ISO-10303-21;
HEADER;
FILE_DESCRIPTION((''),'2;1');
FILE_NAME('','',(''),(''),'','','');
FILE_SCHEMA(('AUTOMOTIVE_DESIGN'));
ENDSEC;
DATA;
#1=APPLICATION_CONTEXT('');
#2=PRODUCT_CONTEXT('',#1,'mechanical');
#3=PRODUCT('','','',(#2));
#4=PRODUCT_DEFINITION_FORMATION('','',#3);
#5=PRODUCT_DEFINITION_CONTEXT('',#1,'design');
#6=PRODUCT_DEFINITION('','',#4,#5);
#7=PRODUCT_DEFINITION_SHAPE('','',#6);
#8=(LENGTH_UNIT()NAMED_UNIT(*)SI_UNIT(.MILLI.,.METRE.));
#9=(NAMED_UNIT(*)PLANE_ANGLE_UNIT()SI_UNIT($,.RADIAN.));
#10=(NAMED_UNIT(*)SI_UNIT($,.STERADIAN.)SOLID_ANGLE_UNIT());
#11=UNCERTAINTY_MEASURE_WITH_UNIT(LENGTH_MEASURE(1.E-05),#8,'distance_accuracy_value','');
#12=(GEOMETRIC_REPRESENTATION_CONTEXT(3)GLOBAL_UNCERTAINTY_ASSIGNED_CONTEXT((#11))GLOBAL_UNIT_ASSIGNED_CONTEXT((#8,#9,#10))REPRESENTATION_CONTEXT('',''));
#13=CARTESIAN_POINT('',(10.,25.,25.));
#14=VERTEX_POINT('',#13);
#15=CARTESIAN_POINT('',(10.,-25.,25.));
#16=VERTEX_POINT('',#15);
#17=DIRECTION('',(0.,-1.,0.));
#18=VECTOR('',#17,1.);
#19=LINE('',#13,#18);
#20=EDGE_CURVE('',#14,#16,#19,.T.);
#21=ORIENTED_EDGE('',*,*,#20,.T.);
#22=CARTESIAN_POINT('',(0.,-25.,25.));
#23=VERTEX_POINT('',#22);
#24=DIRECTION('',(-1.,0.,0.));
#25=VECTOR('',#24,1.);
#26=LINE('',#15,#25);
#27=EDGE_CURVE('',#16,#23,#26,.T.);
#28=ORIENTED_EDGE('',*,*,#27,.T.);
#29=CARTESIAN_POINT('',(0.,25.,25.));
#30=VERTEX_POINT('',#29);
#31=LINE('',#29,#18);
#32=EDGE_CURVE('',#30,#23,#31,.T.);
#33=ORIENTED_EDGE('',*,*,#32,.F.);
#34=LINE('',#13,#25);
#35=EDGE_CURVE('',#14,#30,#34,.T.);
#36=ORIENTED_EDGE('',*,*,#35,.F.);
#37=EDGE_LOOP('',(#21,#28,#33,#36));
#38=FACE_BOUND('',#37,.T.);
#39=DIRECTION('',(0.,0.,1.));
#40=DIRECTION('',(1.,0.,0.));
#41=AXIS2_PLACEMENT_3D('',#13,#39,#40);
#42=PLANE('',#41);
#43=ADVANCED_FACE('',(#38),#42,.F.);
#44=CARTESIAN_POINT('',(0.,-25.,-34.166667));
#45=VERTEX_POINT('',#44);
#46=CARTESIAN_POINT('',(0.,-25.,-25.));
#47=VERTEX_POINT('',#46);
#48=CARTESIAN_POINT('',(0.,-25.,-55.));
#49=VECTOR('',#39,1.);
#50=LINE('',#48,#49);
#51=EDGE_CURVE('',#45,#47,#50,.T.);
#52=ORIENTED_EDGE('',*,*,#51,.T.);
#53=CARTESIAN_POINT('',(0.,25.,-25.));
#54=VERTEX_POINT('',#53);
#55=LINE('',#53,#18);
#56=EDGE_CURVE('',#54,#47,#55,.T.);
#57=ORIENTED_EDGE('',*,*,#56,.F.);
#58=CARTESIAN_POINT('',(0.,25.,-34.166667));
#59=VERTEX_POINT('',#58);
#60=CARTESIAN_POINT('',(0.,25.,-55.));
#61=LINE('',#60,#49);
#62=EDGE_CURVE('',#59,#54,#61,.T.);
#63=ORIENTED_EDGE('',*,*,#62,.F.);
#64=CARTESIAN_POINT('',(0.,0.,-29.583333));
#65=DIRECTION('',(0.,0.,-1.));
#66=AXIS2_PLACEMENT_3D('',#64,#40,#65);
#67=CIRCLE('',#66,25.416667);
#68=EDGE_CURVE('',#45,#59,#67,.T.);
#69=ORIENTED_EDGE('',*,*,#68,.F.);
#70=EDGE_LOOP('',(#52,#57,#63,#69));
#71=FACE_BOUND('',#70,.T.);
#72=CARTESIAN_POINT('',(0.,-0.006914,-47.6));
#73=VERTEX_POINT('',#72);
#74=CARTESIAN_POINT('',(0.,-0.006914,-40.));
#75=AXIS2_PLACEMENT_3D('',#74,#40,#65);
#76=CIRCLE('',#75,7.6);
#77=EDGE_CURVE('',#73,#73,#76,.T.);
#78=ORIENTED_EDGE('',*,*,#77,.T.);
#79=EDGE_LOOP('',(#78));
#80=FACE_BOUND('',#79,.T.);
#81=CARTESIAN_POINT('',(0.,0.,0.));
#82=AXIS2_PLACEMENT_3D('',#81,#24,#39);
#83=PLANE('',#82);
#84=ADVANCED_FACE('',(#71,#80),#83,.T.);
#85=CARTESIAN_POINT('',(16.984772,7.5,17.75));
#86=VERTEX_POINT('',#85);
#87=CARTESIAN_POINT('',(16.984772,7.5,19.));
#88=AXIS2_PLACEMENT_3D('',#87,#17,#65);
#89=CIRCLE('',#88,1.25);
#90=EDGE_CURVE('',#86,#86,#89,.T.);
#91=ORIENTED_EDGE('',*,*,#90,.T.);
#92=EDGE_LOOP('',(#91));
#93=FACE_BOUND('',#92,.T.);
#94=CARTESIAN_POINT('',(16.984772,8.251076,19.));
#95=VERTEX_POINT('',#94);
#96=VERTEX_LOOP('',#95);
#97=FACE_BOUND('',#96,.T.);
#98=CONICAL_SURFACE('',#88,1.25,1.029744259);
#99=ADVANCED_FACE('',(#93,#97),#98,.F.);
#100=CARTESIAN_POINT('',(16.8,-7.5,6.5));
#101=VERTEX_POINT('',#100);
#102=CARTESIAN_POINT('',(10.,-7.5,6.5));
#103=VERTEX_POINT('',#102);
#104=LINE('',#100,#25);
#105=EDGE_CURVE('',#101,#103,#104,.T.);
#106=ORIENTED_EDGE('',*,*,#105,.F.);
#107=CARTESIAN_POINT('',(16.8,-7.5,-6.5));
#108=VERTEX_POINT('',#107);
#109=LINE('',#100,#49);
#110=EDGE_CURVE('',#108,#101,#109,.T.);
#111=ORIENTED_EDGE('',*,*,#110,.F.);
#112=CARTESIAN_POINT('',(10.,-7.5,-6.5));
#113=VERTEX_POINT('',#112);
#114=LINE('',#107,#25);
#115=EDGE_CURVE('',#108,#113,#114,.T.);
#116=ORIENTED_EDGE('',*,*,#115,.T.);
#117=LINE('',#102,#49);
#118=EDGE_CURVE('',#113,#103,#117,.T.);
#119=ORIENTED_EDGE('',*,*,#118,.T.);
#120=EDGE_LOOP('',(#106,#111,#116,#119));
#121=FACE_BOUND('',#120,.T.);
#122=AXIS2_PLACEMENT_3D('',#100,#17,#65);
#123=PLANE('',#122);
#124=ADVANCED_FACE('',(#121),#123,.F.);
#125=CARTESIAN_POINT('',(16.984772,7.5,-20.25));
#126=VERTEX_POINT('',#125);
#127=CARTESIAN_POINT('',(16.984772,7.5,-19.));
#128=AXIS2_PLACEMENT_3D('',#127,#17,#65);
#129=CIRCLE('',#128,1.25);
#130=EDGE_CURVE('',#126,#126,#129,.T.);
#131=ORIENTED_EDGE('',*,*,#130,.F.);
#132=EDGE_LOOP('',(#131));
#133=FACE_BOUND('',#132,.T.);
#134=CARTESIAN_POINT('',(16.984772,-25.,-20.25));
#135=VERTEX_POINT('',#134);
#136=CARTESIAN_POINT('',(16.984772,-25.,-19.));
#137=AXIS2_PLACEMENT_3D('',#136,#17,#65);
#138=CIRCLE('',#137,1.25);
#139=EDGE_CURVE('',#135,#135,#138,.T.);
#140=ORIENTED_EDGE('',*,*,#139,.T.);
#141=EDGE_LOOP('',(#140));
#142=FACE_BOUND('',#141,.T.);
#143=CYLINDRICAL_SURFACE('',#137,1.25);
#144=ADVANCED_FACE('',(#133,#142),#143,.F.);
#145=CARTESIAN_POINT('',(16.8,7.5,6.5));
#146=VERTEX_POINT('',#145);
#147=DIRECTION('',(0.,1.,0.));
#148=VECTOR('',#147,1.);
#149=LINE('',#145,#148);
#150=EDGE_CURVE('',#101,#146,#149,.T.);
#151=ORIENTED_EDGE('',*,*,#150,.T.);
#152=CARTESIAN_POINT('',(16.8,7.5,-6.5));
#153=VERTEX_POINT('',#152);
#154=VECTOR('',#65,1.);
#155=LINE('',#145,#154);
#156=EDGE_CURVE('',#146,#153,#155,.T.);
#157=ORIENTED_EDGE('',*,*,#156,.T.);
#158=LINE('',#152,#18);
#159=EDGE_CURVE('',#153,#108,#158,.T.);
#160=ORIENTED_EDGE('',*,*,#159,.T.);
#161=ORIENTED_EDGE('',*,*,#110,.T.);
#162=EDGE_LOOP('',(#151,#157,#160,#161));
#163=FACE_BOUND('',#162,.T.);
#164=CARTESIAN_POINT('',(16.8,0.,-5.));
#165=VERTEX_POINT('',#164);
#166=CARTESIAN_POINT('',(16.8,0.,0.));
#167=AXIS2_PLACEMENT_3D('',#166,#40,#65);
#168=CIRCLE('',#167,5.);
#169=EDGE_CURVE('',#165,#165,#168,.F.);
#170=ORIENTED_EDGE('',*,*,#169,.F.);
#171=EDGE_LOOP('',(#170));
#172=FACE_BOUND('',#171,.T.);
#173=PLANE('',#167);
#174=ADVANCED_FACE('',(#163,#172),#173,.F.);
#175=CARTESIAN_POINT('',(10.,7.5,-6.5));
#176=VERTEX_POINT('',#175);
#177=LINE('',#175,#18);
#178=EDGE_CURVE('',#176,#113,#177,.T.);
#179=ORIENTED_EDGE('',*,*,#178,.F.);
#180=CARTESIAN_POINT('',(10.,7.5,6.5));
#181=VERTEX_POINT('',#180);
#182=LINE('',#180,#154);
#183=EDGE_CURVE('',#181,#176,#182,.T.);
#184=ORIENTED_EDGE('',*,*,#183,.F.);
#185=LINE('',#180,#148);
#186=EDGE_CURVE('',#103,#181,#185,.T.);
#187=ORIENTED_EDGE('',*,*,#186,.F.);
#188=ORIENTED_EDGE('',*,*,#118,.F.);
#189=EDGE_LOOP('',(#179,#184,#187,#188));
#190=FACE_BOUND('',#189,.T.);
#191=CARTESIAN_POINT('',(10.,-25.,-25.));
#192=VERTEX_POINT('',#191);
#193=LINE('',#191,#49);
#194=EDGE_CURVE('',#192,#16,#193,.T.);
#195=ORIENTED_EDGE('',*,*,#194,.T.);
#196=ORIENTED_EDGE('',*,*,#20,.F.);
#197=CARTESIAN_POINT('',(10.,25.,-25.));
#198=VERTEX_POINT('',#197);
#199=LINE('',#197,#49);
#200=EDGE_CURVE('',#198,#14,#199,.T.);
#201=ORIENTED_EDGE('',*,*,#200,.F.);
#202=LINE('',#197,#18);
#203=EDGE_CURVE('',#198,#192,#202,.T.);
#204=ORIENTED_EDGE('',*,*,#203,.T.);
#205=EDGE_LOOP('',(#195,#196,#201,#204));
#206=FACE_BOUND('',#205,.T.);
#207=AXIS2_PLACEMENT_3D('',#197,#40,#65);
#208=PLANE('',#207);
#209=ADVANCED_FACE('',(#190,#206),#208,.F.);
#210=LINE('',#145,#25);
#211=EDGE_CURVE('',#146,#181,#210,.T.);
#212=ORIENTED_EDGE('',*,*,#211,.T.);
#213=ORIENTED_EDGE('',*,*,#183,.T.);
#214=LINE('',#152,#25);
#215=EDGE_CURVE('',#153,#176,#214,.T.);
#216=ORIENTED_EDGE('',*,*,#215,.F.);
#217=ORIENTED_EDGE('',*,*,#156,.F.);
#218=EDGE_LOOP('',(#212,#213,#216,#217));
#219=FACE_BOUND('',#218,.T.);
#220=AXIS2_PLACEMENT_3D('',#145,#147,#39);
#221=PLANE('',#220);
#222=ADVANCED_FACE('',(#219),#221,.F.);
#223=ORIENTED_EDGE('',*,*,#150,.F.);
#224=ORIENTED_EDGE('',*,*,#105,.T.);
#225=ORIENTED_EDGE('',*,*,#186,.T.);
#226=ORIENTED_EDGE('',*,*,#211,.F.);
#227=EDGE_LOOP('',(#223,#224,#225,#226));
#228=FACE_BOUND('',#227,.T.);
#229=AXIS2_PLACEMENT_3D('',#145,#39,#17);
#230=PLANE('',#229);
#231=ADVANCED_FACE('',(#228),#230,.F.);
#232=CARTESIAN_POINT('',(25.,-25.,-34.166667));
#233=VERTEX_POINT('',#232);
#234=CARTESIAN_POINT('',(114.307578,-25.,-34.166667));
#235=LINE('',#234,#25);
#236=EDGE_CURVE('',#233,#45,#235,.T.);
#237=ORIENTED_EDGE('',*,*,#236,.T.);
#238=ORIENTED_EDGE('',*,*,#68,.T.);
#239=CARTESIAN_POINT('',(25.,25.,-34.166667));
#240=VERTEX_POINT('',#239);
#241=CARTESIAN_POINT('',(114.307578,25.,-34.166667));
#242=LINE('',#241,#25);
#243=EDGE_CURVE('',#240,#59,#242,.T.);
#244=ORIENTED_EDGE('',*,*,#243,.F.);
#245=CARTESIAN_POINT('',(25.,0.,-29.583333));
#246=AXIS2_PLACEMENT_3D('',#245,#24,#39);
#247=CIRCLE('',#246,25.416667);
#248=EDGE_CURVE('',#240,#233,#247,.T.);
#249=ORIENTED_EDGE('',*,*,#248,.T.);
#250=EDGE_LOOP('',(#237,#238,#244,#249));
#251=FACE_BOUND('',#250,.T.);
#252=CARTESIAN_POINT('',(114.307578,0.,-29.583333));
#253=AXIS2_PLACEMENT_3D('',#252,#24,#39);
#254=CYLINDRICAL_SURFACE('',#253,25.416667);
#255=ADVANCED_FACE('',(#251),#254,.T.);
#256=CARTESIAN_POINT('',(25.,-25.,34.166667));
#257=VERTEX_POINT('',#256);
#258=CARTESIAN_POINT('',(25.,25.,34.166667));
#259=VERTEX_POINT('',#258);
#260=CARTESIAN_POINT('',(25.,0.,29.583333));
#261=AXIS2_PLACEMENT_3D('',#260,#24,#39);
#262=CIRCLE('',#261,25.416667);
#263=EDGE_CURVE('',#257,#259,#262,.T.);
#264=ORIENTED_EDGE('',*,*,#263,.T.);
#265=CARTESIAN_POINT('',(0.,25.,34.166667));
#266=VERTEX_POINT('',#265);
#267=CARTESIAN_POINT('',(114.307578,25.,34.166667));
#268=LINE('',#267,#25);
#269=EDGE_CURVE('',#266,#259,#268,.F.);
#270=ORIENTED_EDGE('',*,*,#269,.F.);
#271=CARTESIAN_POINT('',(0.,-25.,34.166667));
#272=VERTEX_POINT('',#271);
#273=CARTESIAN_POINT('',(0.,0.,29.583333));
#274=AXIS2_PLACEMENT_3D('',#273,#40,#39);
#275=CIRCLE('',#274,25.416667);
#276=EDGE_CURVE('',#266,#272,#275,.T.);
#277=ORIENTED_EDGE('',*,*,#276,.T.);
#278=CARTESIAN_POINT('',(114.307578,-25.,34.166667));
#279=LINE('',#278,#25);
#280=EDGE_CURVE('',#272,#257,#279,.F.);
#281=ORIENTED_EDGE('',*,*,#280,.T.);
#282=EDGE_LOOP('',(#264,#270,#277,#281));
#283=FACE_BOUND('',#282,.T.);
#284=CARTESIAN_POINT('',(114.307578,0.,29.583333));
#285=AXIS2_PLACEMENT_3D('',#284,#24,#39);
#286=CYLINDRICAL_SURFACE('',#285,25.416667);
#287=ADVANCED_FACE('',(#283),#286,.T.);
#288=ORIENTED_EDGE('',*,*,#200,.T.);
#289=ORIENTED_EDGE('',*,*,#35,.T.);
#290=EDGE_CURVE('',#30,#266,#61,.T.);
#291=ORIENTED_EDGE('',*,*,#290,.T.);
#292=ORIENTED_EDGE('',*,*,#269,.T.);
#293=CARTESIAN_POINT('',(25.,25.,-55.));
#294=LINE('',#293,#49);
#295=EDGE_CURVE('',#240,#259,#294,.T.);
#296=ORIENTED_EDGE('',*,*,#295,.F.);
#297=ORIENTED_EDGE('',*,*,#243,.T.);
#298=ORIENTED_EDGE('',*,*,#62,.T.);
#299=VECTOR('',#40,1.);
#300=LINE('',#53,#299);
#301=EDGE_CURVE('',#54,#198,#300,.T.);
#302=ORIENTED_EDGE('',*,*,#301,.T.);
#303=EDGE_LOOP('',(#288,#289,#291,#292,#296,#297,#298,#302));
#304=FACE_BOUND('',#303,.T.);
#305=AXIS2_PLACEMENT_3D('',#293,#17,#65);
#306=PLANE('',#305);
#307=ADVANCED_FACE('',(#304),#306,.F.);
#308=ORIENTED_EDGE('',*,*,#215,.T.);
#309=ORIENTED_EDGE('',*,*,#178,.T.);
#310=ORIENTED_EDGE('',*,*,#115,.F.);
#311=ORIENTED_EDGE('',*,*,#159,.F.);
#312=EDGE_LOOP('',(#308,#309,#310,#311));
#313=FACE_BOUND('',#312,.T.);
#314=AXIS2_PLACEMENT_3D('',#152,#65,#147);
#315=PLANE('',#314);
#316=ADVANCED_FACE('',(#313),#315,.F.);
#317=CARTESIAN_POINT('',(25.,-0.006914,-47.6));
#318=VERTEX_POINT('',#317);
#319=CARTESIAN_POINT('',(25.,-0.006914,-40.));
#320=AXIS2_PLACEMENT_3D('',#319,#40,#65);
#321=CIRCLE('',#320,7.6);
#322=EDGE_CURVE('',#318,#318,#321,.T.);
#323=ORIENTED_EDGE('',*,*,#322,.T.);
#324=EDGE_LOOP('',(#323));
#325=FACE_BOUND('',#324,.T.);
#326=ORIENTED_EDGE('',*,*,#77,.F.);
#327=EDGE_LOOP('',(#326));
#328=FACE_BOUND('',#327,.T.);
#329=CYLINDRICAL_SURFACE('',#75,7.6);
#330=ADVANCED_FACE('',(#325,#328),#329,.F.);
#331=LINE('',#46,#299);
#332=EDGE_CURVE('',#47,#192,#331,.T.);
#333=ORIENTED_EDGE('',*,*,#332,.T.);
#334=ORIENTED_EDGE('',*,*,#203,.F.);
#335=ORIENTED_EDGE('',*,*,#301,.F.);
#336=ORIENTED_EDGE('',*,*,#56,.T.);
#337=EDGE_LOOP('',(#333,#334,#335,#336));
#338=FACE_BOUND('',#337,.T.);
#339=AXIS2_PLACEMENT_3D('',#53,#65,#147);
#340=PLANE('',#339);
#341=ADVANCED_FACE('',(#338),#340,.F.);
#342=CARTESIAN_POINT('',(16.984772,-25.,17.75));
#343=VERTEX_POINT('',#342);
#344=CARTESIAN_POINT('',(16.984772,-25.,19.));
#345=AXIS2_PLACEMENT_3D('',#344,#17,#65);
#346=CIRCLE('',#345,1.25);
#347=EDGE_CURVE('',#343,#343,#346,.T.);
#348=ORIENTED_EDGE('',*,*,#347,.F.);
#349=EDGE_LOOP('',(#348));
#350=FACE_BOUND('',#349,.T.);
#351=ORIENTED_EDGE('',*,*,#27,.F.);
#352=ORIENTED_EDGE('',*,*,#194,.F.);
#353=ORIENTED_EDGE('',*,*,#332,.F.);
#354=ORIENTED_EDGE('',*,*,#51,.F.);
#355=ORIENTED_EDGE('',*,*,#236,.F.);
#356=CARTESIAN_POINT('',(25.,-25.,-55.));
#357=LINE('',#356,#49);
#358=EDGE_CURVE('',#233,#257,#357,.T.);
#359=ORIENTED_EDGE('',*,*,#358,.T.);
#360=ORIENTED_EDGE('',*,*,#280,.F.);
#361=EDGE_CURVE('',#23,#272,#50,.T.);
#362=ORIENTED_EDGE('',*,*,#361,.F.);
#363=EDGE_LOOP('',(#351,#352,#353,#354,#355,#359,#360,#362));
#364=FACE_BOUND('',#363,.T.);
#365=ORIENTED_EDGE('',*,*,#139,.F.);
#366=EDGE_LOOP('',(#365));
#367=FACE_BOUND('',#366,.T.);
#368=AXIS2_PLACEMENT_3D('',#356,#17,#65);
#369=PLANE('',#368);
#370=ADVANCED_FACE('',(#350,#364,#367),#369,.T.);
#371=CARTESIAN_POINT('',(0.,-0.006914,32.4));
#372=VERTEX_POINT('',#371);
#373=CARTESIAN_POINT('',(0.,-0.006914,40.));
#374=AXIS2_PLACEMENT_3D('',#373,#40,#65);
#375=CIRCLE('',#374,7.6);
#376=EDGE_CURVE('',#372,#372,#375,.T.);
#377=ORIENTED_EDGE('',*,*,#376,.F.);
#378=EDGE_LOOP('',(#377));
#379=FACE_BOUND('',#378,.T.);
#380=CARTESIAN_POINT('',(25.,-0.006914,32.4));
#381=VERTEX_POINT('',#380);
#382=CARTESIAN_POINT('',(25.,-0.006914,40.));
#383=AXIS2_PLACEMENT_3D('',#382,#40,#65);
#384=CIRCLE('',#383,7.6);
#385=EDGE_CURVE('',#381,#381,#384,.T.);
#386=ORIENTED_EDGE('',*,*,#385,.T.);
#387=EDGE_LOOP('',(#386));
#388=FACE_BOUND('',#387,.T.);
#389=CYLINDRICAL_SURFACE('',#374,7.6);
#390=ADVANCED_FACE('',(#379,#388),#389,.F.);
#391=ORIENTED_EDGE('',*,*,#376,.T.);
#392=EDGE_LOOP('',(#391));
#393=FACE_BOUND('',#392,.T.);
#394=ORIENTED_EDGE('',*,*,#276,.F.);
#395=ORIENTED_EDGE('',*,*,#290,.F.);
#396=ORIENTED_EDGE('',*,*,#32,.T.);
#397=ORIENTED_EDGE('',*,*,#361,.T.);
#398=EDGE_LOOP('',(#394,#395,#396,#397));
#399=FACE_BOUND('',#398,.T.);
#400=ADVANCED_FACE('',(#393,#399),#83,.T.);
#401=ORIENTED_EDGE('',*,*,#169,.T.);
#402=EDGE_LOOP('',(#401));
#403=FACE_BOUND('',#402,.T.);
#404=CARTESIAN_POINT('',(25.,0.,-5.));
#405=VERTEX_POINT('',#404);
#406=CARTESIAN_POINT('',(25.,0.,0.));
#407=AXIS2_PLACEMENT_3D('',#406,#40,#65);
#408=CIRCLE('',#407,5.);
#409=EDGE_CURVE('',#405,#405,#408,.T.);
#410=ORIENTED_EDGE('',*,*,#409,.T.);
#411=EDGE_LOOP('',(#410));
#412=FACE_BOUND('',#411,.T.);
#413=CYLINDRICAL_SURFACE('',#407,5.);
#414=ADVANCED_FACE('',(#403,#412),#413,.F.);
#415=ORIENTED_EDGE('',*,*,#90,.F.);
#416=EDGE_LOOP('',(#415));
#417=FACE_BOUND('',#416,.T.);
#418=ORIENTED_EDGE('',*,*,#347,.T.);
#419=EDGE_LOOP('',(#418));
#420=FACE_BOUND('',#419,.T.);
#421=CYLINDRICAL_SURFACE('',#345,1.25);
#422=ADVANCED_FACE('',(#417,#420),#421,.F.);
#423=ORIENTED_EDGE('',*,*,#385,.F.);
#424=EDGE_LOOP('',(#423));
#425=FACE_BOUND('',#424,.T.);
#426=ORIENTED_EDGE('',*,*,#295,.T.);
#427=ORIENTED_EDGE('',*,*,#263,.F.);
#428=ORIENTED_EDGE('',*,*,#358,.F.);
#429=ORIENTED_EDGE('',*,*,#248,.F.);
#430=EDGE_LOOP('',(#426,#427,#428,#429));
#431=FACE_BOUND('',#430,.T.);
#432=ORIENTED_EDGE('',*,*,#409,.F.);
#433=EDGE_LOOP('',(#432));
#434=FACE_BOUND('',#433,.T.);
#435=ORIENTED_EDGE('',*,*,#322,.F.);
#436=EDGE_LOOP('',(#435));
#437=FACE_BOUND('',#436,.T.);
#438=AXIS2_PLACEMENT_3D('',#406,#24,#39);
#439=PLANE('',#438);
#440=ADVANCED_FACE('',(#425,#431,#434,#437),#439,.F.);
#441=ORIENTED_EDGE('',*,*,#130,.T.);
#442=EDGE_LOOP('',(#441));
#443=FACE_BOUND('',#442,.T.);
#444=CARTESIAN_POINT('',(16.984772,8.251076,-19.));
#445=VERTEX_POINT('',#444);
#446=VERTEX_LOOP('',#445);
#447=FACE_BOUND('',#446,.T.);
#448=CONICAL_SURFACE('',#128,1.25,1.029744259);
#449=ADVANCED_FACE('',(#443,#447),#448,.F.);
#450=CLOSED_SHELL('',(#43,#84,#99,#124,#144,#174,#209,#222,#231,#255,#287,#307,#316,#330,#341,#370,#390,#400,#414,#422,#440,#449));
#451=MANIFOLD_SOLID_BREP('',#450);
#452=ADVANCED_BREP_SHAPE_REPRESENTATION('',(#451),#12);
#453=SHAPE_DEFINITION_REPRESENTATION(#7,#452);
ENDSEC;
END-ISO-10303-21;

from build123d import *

# Parameters (mm, degrees)
SKETCH1_W                       = 110
SKETCH1_H                       = 50
BOSS_EXTRUDE1_DEPTH             = 25
SKETCH2_R                       = 7.6
CUT_EXTRUDE1_DEPTH              = 26
M8_CLEARANCE_HOLE1_D            = 10
M8_CLEARANCE_HOLE1_DEPTH        = 25
M8_CLEARANCE_HOLE1_TIP          = 3.004303095
SKETCH5_W                       = 10
SKETCH5_H                       = 50
CUT_EXTRUDE2_DEPTH              = 51
SKETCH6_W                       = 13
SKETCH6_H                       = 15
CUT_EXTRUDE3_DEPTH              = 6.8
CUT_EXTRUDE4_DEPTH              = 25
TAP_DRILL_FOR_M3X0_5_TAP1_D     = 2.5
TAP_DRILL_FOR_M3X0_5_TAP1_DEPTH = 32.5
TAP_DRILL_FOR_M3X0_5_TAP1_TIP   = 0.751075774


with BuildPart() as part:
    # Sketch1 → Boss-Extrude1 (new body)
    with BuildSketch(Plane(origin=(0, 0, 0), x_dir=(0, 0, -1), z_dir=(1, 0, 0))):
        Rectangle(SKETCH1_W, SKETCH1_H)
    extrude(amount=BOSS_EXTRUDE1_DEPTH)

    # Sketch2 → Cut-Extrude1 (cut, through all)
    with BuildSketch(Plane(origin=(25, 0, 0), x_dir=(0, 0, -1), z_dir=(1, 0, 0))):
        with Locations((-40, -0.006913882)):
            Circle(SKETCH2_R)
        with Locations((40, -0.006913882)):
            Circle(SKETCH2_R)
    extrude(amount=-CUT_EXTRUDE1_DEPTH, mode=Mode.SUBTRACT)

    # M8 Clearance Hole1
    with Locations(Plane(origin=(25, 0, 0), x_dir=(0, 0, -1), z_dir=(1, 0, 0))):
        with Locations((0, 0)):
            Hole(M8_CLEARANCE_HOLE1_D / 2, depth=M8_CLEARANCE_HOLE1_DEPTH)
            with Locations((0, 0, -(M8_CLEARANCE_HOLE1_DEPTH + M8_CLEARANCE_HOLE1_TIP / 2))):  # 118° drill point
                Cone(0, M8_CLEARANCE_HOLE1_D / 2, M8_CLEARANCE_HOLE1_TIP, mode=Mode.SUBTRACT)

    # Sketch5 → Cut-Extrude2 (cut, through all)
    with BuildSketch(Plane.XZ.offset(25)):
        with Locations((5, 0)):
            Rectangle(SKETCH5_W, SKETCH5_H)
    extrude(amount=-CUT_EXTRUDE2_DEPTH, mode=Mode.SUBTRACT)

    # Sketch6 → Cut-Extrude3 (cut)
    with BuildSketch(Plane.ZY.offset(-10)):
        Rectangle(SKETCH6_W, SKETCH6_H)
    extrude(amount=-CUT_EXTRUDE3_DEPTH, mode=Mode.SUBTRACT)

    # Sketch7 → Cut-Extrude4 (cut)
    with BuildSketch(Plane.ZY):
        with BuildLine():
            Line((-25, -25), (-25.995843668, -36.367385103))
            Line((-25.995843668, -36.367385103), (-60.780158428, -28.692554088))
            Line((-60.780158428, -28.692554088), (-59.294707264, 34.562907985))
            Line((-59.294707264, 34.562907985), (-23.260411868, 33.716701439))
            Line((-23.260411868, 33.716701439), (-25, 25))
            ThreePointArc((-25, 25), (-55, 0), (-25, -25))
        make_face()
        with BuildLine():
            Line((25, -25), (27.231233017, -36.367385103))
            Line((27.231233017, -36.367385103), (50.619615813, -36.367385103))
            Line((50.619615813, -36.367385103), (65.908125779, -26.522621757))
            Line((65.908125779, -26.522621757), (65.908125779, 30.480233283))
            Line((65.908125779, 30.480233283), (20.447589522, 40.50382591))
            Line((20.447589522, 40.50382591), (25, 25))
            ThreePointArc((25, 25), (55, 0), (25, -25))
        make_face()
    extrude(amount=-CUT_EXTRUDE4_DEPTH, mode=Mode.SUBTRACT)

    # Tap Drill for M3x0.5 Tap1
    with Locations(Plane(origin=(0, -25, 0), x_dir=(-1, 0, 0), z_dir=(0, -1, 0))):
        with Locations((-16.984771765, 19), (-16.984771765, -19)):
            Hole(TAP_DRILL_FOR_M3X0_5_TAP1_D / 2, depth=TAP_DRILL_FOR_M3X0_5_TAP1_DEPTH)
            with Locations((0, 0, -(TAP_DRILL_FOR_M3X0_5_TAP1_DEPTH + TAP_DRILL_FOR_M3X0_5_TAP1_TIP / 2))):  # 118° drill point
                Cone(0, TAP_DRILL_FOR_M3X0_5_TAP1_D / 2, TAP_DRILL_FOR_M3X0_5_TAP1_TIP, mode=Mode.SUBTRACT)


solid = part.part
